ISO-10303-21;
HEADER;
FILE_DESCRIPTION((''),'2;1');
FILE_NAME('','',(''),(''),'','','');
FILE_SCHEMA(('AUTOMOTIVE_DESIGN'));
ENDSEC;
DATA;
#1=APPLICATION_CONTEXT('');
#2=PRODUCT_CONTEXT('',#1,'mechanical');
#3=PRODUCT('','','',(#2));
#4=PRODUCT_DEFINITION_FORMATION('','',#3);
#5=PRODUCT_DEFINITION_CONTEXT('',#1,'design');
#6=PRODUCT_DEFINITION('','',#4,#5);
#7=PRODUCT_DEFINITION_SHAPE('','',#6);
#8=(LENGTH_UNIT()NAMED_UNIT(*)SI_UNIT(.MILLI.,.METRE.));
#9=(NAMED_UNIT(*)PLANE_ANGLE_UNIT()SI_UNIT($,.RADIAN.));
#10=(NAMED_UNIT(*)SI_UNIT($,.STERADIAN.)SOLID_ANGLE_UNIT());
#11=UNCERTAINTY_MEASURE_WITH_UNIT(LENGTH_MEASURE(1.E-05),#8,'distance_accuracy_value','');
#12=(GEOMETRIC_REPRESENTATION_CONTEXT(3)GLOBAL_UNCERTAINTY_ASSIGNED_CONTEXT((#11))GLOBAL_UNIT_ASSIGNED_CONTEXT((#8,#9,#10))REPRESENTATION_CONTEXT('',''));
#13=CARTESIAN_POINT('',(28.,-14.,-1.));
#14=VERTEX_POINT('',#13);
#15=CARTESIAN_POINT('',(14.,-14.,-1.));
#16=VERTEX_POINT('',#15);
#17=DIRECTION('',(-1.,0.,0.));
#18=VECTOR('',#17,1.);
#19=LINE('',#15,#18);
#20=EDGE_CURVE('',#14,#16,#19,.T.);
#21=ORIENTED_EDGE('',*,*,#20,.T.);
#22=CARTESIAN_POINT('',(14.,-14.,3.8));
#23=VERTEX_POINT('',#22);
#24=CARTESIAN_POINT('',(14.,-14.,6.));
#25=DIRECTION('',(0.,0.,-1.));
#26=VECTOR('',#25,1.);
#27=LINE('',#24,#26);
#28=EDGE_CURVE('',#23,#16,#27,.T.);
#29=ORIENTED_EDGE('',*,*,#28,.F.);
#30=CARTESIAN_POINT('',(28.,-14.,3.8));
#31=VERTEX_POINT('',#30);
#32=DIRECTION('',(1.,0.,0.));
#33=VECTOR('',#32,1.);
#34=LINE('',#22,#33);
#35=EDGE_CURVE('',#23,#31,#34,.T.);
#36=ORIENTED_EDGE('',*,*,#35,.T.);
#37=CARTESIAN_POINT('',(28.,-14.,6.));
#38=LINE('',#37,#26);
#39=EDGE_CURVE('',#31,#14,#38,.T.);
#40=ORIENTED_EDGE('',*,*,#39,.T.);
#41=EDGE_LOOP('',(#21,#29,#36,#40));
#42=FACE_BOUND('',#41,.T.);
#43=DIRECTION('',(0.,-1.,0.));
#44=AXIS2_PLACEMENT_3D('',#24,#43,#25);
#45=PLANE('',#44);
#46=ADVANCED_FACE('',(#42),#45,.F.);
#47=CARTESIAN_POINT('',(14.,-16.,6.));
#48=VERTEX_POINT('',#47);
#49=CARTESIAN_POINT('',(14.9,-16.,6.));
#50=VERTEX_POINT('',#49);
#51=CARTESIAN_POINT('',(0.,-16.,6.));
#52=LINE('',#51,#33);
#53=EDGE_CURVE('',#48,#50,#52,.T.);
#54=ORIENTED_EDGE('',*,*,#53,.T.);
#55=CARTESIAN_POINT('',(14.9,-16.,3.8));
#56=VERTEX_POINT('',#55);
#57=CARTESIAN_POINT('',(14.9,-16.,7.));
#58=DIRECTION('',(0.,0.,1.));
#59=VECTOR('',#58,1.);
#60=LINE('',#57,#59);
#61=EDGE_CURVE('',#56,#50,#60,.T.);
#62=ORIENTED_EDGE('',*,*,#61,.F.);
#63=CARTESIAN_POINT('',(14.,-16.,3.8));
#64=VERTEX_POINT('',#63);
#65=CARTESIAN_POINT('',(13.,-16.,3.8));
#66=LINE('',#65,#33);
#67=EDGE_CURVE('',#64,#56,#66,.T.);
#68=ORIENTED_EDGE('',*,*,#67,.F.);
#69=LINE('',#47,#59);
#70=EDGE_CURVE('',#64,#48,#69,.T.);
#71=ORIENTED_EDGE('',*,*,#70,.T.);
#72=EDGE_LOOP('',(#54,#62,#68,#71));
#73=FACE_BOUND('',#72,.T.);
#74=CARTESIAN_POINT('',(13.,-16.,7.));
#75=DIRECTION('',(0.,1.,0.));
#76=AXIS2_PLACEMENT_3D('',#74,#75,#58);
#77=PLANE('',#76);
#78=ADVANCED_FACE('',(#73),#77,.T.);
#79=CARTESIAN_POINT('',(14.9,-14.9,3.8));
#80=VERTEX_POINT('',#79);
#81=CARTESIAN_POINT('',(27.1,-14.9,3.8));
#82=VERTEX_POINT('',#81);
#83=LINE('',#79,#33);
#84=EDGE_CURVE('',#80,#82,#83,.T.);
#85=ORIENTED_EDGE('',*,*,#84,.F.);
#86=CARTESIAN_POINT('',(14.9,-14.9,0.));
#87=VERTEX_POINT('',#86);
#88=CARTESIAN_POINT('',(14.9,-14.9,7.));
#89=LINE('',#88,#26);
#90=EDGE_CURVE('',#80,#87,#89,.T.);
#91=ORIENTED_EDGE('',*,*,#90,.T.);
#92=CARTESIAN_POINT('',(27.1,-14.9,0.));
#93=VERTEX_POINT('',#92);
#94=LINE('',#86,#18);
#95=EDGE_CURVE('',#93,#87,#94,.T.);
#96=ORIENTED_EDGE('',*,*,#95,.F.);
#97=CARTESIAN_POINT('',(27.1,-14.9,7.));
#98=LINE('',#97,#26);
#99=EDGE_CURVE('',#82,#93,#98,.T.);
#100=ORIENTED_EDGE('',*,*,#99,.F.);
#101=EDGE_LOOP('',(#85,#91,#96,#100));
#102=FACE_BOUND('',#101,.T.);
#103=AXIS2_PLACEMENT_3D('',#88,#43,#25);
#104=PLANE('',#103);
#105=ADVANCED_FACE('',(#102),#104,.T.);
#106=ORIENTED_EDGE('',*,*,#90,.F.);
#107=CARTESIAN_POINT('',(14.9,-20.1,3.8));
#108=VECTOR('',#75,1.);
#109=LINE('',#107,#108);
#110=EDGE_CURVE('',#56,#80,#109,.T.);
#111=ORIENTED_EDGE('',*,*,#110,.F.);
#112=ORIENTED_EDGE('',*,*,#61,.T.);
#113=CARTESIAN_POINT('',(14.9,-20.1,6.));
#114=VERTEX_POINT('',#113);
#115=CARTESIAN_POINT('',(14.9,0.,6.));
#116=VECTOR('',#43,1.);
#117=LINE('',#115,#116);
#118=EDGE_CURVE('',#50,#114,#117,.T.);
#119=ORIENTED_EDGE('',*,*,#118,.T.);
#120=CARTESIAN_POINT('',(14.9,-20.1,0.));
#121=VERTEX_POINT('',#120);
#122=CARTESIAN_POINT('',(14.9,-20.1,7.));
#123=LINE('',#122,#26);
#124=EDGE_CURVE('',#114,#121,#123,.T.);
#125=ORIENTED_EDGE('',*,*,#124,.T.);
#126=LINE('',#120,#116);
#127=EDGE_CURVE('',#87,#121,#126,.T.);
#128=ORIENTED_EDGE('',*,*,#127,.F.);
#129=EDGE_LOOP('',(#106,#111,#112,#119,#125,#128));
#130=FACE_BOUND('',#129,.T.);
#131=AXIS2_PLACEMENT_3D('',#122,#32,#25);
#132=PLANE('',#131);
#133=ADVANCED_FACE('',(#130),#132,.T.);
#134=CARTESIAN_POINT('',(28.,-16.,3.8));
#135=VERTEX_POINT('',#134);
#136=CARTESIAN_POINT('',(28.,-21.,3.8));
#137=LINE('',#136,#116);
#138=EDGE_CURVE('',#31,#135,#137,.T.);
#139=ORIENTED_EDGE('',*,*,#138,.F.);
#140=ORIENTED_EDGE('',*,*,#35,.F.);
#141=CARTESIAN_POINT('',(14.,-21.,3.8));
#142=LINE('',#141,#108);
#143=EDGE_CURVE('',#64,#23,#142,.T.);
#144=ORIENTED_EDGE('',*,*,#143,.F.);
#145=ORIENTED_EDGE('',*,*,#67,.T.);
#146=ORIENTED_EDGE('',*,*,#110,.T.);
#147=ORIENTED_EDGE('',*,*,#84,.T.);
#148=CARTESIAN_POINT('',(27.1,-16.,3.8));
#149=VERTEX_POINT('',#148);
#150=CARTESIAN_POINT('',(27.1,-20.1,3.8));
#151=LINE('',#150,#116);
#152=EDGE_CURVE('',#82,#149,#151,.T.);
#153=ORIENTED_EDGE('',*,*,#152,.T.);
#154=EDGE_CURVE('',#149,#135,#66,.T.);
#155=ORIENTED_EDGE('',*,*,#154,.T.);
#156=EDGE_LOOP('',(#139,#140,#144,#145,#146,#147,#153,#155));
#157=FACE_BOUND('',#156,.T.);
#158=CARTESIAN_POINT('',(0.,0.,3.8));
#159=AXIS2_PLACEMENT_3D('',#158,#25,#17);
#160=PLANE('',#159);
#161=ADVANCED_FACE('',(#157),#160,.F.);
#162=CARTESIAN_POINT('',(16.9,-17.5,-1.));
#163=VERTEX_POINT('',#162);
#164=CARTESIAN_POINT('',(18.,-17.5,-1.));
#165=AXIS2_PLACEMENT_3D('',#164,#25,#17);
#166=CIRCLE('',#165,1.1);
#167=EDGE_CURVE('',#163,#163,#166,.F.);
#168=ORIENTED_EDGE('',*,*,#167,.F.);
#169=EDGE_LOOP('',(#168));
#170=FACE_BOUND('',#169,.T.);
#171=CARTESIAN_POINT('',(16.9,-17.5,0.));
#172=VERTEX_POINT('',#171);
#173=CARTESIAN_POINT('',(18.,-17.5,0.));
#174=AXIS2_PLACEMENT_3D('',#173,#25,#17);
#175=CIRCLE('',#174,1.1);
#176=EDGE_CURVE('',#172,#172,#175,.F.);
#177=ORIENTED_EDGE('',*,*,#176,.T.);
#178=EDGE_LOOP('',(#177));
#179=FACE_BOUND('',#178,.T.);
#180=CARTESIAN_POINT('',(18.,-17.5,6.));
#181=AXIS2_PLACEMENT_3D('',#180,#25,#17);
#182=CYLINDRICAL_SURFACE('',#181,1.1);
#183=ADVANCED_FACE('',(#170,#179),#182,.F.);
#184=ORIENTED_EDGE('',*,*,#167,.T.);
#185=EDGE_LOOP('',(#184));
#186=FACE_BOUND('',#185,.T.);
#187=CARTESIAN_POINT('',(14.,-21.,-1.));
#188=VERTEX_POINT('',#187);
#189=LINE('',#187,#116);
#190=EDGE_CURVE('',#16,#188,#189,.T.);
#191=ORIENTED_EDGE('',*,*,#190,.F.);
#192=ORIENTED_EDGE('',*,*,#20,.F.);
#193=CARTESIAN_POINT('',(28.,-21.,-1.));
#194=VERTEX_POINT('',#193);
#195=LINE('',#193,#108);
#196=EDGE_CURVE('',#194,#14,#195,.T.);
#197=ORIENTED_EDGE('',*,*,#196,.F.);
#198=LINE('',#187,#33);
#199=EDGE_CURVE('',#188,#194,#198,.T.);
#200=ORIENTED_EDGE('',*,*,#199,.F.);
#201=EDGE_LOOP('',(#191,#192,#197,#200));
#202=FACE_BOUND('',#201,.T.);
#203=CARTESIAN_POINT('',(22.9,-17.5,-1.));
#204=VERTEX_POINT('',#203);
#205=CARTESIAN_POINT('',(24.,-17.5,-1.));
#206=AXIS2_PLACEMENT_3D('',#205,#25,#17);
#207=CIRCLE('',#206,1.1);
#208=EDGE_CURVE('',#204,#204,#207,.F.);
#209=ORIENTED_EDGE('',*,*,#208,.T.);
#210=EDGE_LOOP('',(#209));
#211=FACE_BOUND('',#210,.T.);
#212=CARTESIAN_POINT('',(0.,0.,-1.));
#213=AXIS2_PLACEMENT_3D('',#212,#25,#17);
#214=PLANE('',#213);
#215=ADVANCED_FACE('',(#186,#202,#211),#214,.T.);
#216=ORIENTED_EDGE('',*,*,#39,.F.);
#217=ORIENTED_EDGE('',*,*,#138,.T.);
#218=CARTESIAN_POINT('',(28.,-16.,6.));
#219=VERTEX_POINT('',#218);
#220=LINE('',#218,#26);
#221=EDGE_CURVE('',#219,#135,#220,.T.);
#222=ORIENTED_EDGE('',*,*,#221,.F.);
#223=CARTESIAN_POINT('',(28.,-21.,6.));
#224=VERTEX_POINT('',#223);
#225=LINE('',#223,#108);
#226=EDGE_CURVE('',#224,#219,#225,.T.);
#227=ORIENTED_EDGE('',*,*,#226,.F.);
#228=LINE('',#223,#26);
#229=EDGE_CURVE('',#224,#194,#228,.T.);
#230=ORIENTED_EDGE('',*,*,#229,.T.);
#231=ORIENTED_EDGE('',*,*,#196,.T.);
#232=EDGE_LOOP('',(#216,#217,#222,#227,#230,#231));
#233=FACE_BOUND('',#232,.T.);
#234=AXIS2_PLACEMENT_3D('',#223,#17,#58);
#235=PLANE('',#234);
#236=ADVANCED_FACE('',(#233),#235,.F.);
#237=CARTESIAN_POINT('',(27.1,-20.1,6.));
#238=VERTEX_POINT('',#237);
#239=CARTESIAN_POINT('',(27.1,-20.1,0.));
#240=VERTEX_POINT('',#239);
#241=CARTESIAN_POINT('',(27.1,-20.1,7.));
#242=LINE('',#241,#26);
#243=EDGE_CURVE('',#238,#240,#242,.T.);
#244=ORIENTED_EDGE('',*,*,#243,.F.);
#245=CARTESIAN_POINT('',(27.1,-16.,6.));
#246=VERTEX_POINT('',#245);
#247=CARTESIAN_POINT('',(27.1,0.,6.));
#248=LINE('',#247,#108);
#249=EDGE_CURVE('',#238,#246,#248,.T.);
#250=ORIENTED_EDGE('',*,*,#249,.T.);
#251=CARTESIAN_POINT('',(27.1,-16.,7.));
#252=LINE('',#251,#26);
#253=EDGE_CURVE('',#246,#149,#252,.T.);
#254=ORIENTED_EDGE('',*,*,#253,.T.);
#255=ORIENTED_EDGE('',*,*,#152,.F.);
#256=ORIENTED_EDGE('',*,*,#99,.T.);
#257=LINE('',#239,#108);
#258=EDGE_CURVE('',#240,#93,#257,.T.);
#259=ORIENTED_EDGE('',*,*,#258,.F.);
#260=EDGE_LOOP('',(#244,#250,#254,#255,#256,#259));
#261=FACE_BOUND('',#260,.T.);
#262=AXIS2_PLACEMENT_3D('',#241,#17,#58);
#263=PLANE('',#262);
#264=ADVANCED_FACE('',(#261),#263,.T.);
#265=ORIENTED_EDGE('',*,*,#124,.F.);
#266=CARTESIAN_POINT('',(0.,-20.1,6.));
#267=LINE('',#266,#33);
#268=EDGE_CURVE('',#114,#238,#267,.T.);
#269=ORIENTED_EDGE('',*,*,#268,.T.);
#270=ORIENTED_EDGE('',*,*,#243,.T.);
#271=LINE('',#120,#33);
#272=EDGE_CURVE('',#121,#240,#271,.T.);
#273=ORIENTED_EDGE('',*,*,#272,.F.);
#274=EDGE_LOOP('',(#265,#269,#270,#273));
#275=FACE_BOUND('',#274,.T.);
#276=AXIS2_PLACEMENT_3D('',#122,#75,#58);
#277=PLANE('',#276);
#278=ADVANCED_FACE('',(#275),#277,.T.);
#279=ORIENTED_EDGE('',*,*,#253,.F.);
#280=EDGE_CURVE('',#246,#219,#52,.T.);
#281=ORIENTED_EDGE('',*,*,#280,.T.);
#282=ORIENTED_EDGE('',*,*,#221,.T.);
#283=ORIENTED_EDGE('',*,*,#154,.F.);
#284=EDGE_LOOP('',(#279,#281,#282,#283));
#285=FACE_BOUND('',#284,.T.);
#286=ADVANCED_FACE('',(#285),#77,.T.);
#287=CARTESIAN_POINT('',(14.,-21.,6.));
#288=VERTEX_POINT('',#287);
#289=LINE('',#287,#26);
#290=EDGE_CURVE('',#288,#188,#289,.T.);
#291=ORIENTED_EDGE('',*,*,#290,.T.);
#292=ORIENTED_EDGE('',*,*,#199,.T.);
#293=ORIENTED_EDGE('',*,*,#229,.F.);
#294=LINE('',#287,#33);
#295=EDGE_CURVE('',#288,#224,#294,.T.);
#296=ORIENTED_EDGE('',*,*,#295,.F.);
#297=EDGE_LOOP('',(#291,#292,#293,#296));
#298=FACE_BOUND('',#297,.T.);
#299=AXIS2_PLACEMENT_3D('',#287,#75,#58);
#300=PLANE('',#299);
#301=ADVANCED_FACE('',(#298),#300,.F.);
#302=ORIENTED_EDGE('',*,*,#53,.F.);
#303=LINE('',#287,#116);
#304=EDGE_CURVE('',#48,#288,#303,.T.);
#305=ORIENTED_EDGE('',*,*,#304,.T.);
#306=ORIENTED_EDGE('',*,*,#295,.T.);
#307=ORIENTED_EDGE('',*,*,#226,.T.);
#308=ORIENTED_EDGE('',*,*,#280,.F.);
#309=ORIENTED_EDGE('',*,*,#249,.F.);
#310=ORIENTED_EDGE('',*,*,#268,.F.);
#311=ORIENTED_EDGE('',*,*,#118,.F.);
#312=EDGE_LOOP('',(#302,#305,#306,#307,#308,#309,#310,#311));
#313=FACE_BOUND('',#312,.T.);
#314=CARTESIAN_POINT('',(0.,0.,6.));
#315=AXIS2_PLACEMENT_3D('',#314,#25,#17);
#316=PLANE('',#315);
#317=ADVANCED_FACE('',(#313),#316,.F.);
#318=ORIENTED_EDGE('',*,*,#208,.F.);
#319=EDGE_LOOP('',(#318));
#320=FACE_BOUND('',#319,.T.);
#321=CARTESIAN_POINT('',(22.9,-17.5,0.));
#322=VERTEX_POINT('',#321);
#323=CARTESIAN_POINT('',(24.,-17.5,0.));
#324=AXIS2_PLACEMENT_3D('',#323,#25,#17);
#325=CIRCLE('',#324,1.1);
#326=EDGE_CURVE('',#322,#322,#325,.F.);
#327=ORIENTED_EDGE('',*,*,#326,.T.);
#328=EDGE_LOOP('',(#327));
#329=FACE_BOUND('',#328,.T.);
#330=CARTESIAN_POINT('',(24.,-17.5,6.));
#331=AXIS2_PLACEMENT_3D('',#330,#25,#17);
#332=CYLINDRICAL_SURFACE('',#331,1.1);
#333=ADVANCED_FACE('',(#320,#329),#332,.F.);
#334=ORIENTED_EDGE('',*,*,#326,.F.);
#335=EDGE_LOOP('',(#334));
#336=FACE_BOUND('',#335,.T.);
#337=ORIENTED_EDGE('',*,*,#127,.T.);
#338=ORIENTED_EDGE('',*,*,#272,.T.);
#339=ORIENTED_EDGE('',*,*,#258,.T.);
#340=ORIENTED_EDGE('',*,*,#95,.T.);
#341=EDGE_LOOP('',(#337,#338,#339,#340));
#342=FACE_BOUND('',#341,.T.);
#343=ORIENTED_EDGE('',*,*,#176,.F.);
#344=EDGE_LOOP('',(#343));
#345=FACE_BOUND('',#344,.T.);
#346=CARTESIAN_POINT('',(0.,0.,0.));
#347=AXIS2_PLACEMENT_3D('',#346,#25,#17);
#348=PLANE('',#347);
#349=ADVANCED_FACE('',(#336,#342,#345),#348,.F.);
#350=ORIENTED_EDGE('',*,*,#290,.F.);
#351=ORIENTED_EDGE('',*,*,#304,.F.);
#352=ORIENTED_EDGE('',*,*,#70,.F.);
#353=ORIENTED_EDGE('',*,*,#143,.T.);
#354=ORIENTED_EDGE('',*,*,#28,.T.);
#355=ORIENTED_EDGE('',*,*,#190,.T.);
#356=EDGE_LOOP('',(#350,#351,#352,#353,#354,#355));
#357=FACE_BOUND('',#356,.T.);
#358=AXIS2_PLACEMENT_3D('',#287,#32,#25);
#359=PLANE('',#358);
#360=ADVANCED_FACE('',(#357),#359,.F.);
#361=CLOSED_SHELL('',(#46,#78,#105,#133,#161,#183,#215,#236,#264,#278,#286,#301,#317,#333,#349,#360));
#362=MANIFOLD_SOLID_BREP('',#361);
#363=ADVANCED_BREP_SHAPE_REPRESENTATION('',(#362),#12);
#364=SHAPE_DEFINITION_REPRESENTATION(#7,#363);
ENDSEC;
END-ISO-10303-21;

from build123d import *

# Parameters (mm, degrees)
SOFT_CONTACT_AND_WRAP_START      = -1
SOFT_CONTACT_AND_WRAP_PROFILE_W  = 14
SOFT_CONTACT_AND_WRAP_PROFILE_H  = 7
SOFT_CONTACT_AND_WRAP_DEPTH      = 7
FINGER_SLIP_POCKET_PROFILE_W     = 12.2
FINGER_SLIP_POCKET_PROFILE_H     = 5.2
OPEN_TOP_SLIP_POCKET_DEPTH       = 7
SERVO_EAR_SWEEP_RELIEF_START     = 3.8
SERVO_EAR_SWEEP_RELIEF_PROFILE_W = 16
SERVO_EAR_SWEEP_RELIEF_PROFILE_H = 3
SERVO_EAR_SWEEP_RELIEF_DEPTH     = 3.2
PAD_CAPTURE_M2_START             = -50
PAD_CAPTURE_M2_PROFILE_R         = 1.1
PAD_CAPTURE_M2_DEPTH             = 86.510561809


with BuildPart() as part:
    # Soft_contact_and_wrap_profile → Soft_contact_and_wrap (new body)
    with BuildSketch(Plane.XY.offset(SOFT_CONTACT_AND_WRAP_START)):
        with Locations((21, -17.5)):
            Rectangle(SOFT_CONTACT_AND_WRAP_PROFILE_W, SOFT_CONTACT_AND_WRAP_PROFILE_H)
    extrude(amount=SOFT_CONTACT_AND_WRAP_DEPTH)

    # Finger_slip_pocket_profile → Open_top_slip_pocket (cut)
    with BuildSketch(Plane.XY):
        with Locations((21, -17.5)):
            Rectangle(FINGER_SLIP_POCKET_PROFILE_W, FINGER_SLIP_POCKET_PROFILE_H)
    extrude(amount=OPEN_TOP_SLIP_POCKET_DEPTH, mode=Mode.SUBTRACT)

    # Servo_ear_sweep_relief_profile → Servo_ear_sweep_relief (cut)
    with BuildSketch(Plane.XY.offset(SERVO_EAR_SWEEP_RELIEF_START)):
        with Locations((21, -14.5)):
            Rectangle(SERVO_EAR_SWEEP_RELIEF_PROFILE_W, SERVO_EAR_SWEEP_RELIEF_PROFILE_H)
    extrude(amount=SERVO_EAR_SWEEP_RELIEF_DEPTH, mode=Mode.SUBTRACT)

    # Pad_capture_M2_profile → Pad_capture_M2 (cut, through all)
    with BuildSketch(Plane.XY.offset(PAD_CAPTURE_M2_START)):
        with Locations(Location((18, -17.5, 0), (0, 0, 180))):
            Circle(PAD_CAPTURE_M2_PROFILE_R)
        with Locations(Location((24, -17.5, 0), (0, 0, 180))):
            Circle(PAD_CAPTURE_M2_PROFILE_R)
    extrude(amount=PAD_CAPTURE_M2_DEPTH, mode=Mode.SUBTRACT)


solid = part.part
